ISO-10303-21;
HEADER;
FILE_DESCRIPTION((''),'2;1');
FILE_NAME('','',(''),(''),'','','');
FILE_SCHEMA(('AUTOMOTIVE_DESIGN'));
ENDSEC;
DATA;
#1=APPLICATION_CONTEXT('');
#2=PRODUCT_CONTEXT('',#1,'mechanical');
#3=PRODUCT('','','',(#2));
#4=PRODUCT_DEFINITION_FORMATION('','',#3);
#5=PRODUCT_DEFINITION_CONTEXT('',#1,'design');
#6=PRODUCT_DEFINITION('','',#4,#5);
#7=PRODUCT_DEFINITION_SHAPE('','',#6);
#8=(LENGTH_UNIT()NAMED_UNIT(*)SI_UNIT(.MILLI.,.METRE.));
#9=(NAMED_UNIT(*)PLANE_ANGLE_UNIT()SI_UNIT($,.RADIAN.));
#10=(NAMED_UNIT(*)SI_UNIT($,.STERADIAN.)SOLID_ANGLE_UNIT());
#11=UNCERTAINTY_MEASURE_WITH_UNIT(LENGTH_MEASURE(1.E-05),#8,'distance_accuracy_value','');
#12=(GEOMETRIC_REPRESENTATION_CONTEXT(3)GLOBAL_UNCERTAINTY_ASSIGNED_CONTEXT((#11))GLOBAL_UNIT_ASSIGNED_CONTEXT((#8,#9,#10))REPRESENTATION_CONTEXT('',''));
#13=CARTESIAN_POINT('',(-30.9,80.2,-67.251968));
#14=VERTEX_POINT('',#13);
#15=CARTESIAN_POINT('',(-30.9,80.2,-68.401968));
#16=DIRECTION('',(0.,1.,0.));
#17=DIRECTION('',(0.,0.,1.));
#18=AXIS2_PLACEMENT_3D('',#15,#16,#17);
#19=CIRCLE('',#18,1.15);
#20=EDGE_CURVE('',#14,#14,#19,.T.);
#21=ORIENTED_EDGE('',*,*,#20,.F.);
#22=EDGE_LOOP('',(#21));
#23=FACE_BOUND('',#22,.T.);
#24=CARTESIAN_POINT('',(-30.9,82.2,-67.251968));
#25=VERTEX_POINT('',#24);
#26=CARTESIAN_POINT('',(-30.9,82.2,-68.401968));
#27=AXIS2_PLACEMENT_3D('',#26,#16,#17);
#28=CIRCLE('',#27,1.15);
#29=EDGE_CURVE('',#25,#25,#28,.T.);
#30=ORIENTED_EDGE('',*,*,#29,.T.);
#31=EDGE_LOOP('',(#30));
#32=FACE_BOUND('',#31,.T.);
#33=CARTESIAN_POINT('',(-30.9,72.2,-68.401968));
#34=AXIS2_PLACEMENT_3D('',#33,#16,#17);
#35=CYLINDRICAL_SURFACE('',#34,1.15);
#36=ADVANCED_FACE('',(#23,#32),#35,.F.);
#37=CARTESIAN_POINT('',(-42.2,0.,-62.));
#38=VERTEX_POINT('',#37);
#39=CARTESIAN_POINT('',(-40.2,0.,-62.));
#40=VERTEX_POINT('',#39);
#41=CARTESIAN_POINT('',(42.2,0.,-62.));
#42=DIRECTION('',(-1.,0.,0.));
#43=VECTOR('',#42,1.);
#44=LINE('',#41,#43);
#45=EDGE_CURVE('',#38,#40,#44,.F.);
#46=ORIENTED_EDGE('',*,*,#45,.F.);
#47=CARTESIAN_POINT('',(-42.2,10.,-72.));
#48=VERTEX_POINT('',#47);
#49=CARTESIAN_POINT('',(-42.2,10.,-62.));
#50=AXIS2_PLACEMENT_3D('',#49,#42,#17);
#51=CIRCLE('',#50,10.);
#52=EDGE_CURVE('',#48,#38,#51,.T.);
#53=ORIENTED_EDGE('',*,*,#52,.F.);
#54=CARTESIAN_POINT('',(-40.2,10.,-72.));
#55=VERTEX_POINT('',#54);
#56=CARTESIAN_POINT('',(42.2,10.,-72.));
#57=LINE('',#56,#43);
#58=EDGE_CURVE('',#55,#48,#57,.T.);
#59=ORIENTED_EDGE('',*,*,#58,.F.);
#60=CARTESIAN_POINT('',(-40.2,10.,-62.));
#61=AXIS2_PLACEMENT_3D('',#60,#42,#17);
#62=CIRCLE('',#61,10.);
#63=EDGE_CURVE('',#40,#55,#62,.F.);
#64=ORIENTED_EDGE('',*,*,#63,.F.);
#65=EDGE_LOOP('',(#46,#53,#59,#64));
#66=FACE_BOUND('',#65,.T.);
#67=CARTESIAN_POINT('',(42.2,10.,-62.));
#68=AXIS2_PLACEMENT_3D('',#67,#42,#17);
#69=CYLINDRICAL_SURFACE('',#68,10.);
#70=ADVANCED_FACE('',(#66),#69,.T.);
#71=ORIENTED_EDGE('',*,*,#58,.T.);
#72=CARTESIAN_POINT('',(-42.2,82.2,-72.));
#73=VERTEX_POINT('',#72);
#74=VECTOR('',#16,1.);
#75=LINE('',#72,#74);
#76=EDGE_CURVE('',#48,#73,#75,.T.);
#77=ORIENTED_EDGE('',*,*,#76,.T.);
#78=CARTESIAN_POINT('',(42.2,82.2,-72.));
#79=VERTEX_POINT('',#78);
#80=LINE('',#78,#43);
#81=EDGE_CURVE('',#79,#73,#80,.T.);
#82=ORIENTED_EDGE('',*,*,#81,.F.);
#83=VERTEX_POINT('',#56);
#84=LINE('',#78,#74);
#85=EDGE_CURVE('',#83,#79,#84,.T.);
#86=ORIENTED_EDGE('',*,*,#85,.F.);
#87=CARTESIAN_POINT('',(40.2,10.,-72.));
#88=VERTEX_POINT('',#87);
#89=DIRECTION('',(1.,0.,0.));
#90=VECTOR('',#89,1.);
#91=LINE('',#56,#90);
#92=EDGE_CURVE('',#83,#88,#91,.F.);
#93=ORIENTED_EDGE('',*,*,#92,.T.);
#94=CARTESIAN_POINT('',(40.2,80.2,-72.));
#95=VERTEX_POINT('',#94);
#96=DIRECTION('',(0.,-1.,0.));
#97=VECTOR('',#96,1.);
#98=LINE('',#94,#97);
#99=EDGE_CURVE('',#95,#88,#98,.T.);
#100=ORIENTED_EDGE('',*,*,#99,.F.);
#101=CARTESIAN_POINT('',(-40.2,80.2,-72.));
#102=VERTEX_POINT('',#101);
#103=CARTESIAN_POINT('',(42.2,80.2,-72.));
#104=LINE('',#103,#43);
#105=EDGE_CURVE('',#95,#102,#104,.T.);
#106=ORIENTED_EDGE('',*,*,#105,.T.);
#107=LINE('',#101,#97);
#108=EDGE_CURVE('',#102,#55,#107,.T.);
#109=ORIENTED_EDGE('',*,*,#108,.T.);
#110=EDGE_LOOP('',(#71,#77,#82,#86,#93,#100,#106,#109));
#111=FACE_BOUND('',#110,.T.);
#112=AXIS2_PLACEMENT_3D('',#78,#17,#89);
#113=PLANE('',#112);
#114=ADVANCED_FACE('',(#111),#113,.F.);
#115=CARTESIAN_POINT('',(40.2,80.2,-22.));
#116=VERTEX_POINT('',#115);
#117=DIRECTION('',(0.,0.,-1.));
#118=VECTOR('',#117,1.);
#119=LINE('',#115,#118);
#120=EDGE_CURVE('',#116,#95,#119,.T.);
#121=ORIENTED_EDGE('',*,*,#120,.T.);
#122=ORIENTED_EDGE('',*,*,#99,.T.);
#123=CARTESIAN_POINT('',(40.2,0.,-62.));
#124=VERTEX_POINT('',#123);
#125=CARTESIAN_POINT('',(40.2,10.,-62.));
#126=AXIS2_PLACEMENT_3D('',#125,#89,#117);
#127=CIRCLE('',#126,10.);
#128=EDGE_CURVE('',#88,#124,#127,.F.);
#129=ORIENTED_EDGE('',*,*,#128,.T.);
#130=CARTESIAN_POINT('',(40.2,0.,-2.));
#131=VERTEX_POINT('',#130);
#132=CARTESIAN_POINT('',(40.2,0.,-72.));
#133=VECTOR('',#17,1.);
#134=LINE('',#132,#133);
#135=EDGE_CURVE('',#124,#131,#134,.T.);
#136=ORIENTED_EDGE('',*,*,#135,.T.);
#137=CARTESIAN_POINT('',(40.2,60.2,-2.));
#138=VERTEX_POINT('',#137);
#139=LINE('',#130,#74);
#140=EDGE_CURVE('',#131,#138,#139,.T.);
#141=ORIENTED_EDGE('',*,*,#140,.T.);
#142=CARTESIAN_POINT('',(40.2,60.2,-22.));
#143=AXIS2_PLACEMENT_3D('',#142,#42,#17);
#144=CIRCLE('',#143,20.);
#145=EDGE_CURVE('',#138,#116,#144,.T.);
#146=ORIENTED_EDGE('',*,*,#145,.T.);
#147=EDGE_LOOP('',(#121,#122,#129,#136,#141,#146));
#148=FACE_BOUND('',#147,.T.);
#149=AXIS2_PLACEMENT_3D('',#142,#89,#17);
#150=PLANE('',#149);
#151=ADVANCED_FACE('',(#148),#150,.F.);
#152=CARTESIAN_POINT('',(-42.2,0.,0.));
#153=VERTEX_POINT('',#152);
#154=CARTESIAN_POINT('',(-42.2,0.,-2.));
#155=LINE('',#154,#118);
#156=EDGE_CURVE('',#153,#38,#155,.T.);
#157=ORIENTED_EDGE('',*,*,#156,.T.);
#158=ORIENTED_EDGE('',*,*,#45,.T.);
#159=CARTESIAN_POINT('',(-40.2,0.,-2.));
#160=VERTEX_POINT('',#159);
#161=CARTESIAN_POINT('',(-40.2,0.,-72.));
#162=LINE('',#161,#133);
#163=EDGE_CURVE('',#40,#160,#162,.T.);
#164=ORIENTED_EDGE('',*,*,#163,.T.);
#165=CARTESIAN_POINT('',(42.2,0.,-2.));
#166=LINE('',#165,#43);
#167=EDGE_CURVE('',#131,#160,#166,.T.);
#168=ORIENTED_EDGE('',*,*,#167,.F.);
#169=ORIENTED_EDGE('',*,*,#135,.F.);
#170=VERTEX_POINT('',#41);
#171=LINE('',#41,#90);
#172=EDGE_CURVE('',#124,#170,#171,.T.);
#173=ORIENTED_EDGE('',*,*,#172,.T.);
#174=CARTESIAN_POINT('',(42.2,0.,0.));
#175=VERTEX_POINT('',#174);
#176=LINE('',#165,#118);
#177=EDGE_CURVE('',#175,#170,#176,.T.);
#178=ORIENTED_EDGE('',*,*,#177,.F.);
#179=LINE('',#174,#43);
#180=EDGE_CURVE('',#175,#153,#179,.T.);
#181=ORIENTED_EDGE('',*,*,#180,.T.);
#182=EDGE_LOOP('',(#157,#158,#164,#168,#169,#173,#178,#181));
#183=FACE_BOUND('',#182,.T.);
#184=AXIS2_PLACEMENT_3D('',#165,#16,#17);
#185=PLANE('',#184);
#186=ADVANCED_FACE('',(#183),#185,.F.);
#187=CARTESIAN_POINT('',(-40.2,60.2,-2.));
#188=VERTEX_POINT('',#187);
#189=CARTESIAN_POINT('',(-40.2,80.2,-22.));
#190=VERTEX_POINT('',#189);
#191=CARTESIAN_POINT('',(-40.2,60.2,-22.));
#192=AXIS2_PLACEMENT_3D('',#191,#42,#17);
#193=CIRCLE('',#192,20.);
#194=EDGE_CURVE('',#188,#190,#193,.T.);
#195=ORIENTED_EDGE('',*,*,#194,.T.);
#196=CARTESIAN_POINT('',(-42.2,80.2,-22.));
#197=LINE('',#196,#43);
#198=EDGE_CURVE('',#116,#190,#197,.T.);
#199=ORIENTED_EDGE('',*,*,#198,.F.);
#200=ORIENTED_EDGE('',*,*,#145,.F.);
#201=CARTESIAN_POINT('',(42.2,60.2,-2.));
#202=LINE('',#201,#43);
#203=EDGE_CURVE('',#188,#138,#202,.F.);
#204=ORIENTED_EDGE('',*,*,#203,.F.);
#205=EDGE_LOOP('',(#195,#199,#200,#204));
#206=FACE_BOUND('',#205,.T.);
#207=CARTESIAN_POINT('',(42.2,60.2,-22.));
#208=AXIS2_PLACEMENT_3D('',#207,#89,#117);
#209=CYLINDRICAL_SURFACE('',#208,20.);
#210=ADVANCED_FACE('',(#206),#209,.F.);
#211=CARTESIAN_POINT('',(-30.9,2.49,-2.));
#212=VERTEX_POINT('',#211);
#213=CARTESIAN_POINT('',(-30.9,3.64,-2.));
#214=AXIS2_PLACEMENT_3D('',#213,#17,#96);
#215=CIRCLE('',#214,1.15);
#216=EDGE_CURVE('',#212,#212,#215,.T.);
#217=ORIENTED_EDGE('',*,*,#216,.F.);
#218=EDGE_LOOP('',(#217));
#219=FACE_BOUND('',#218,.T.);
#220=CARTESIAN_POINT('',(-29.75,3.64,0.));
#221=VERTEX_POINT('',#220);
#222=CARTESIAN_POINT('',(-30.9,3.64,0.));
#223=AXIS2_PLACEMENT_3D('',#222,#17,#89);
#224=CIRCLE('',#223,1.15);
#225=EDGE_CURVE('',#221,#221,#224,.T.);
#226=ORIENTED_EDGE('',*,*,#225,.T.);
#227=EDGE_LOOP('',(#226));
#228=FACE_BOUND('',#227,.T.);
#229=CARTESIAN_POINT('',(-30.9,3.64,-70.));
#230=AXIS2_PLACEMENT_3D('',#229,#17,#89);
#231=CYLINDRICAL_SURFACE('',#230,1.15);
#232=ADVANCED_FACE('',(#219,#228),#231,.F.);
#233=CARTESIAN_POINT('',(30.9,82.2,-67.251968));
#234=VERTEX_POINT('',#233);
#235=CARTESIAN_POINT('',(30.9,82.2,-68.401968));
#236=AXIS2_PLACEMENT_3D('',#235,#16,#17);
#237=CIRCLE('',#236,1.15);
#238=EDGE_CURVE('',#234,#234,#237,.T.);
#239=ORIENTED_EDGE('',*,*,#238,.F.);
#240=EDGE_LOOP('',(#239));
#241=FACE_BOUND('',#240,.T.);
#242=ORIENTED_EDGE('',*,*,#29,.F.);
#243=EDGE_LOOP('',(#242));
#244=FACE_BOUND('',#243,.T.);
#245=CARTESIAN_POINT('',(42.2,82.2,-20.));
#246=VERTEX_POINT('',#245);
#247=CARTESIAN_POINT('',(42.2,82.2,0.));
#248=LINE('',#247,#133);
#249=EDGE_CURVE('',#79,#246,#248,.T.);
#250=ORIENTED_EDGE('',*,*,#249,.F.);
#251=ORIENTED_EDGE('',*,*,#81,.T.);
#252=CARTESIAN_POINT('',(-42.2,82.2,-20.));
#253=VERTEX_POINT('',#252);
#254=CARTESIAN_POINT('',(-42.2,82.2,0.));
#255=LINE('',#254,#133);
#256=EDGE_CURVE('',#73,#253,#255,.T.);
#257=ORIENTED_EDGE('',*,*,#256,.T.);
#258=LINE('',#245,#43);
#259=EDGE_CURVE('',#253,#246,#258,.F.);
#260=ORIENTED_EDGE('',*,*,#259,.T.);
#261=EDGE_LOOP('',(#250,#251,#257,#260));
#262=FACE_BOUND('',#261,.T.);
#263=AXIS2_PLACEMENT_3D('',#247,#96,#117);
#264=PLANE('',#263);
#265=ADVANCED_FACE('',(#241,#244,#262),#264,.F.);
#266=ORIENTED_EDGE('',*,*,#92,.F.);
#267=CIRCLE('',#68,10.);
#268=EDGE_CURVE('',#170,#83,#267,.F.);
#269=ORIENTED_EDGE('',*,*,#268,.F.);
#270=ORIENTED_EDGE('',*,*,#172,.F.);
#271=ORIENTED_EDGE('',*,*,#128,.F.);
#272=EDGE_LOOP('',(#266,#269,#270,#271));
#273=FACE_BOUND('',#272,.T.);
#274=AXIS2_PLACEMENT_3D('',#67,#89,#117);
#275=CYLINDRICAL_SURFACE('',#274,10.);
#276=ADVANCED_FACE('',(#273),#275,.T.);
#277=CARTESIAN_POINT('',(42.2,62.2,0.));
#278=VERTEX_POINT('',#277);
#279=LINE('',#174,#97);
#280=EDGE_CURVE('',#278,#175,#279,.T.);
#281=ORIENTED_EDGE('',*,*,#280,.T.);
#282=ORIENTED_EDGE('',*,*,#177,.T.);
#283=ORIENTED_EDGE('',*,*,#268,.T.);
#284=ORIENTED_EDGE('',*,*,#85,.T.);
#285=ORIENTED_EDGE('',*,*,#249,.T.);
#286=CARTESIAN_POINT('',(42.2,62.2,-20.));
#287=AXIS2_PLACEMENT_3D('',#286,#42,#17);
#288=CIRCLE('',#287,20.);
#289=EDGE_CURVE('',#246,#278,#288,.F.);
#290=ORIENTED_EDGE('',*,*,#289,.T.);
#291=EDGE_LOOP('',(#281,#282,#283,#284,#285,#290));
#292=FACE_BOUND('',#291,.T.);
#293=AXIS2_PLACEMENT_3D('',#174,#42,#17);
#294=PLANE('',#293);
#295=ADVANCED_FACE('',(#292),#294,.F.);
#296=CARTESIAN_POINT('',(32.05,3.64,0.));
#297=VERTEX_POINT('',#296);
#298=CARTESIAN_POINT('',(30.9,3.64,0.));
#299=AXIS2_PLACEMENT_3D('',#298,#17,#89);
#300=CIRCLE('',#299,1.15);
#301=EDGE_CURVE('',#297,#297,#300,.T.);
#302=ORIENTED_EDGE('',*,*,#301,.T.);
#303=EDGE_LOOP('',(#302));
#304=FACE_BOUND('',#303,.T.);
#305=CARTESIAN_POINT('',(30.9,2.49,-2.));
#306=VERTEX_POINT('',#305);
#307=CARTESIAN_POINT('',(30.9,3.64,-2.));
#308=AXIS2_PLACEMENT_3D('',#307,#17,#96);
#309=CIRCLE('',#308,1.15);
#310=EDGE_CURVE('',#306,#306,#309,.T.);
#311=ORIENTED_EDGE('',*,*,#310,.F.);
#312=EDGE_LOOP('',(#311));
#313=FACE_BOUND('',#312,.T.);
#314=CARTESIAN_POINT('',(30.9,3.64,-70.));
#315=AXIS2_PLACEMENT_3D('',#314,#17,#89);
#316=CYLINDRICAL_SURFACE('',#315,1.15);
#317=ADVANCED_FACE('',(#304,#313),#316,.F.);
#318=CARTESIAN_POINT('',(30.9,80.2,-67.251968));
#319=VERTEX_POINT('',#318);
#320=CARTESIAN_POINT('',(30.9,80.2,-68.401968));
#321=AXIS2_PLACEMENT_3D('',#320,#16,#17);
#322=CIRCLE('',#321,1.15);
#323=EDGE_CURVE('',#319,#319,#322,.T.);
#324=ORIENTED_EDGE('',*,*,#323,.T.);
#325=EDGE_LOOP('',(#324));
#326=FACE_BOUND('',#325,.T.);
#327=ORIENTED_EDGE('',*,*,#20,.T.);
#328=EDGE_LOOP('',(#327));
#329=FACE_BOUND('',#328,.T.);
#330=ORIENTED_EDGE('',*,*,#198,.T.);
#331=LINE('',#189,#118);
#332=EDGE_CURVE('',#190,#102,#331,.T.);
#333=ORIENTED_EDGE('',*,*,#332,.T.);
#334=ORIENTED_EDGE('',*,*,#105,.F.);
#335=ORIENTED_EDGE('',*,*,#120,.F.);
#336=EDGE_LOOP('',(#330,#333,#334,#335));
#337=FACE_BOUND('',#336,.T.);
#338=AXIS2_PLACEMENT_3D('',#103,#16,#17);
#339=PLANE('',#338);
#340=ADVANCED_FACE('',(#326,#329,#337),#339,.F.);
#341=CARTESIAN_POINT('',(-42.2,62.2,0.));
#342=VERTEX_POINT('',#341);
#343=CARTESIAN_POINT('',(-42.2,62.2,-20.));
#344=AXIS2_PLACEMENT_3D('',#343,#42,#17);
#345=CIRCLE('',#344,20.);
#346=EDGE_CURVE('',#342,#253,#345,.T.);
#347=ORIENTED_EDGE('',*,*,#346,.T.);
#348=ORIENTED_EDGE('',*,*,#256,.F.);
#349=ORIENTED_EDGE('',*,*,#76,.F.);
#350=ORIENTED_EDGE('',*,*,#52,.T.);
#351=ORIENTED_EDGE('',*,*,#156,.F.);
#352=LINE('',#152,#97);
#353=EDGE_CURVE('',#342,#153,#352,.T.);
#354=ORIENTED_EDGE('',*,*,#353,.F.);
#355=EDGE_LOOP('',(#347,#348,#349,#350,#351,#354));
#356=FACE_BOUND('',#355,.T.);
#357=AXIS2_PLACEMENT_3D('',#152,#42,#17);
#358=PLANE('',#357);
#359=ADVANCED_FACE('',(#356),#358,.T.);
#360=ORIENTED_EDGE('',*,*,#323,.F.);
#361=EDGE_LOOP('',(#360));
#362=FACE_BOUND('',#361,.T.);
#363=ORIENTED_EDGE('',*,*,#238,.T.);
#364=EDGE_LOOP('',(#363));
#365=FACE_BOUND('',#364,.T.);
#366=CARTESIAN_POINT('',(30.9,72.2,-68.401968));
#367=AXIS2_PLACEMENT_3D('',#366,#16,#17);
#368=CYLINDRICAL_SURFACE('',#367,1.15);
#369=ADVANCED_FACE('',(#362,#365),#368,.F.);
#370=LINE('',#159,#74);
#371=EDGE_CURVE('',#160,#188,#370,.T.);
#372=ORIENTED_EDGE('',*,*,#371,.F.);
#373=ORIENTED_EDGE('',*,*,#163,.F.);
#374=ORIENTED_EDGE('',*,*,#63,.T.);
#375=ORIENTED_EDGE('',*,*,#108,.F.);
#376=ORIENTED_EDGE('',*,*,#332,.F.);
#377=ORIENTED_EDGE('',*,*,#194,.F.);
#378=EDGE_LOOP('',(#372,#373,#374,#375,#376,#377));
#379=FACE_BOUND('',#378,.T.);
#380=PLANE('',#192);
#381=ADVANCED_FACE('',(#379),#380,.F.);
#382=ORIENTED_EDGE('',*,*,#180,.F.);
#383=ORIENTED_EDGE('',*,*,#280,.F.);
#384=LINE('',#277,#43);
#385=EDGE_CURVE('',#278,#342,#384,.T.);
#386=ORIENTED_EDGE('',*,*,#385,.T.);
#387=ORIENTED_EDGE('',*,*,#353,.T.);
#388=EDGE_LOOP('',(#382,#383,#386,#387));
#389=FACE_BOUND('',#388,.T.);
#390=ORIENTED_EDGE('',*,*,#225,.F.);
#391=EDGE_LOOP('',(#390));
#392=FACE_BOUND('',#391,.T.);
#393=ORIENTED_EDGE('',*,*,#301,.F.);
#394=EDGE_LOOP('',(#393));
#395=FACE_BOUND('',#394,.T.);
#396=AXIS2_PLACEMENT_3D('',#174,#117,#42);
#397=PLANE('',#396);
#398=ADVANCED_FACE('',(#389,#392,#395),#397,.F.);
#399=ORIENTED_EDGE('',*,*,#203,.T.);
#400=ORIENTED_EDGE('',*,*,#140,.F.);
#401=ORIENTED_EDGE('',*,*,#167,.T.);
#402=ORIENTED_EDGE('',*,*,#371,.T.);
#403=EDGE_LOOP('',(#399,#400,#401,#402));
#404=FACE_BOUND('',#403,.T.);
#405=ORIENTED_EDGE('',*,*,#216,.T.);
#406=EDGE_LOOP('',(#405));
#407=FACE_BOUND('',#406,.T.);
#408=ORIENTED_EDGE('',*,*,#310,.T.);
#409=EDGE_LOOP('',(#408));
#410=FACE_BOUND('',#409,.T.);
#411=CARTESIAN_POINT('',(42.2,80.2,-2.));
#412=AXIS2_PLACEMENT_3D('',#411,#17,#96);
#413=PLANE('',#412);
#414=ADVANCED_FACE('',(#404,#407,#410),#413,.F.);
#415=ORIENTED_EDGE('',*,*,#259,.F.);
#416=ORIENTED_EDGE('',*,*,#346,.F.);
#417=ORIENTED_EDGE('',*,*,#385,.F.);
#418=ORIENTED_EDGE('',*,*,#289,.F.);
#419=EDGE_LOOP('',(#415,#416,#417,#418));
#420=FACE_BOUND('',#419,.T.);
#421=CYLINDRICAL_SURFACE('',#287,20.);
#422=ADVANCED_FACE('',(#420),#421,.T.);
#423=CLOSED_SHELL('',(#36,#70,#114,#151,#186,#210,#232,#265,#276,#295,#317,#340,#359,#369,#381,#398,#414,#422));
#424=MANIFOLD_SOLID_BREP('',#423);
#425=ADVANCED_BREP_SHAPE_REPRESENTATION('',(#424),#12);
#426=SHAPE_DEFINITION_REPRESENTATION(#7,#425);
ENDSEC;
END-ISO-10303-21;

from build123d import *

# Parameters (mm, degrees)
BOSS_EXTRUDE1_DEPTH = 42.2
SKETCH2_R           = 1.15
CUT_EXTRUDE1_DEPTH  = 70
FILLET1_R           = 20
BOSS_EXTRUDE2_DEPTH = 2
FILLET2_R           = 10
SKETCH4_R           = 1.15
CUT_EXTRUDE2_DEPTH  = 10


with BuildPart() as part:
    # Sketch1 → Boss-Extrude1 (new body, symmetric)
    with BuildSketch(Plane(origin=(0, 0, 0), x_dir=(0, 0, -1), z_dir=(1, 0, 0))):
        Polygon((0, 0), (0, 82.2), (72, 82.2), (72, 80.2), (2, 80.2), (2, 0), align=None)
    extrude(amount=BOSS_EXTRUDE1_DEPTH, both=True)

    # Sketch2 → Cut-Extrude1 (cut)
    with BuildSketch(Plane.XY):
        with Locations((-30.9, 3.64)):
            Circle(SKETCH2_R)
        with Locations((30.9, 3.64)):
            Circle(SKETCH2_R)
    extrude(amount=-CUT_EXTRUDE1_DEPTH, mode=Mode.SUBTRACT)

    # Fillet1
    fillet1_edges = [part.edges().sort_by_distance(p)[0] for p in [
        (0, 82.2, 0),
        (0, 80.2, -2),
    ]]
    fillet(fillet1_edges, radius=FILLET1_R)

    # Sketch3 → Boss-Extrude2 (add)
    with BuildSketch(Plane.ZY.offset(42.2)):
        with BuildLine():
            Line((-72, 80.2), (-72, 0))
            Line((-72, 0), (-2, 0))
            Line((-2, 0), (-2, 60.2))
            ThreePointArc((-2, 60.2), (-7.857864376, 74.342135624), (-22, 80.2))
            Line((-22, 80.2), (-72, 80.2))
        make_face()
    boss_extrude2 = extrude(amount=-BOSS_EXTRUDE2_DEPTH)

    # Mirror1: Boss-Extrude2 across plane
    add(boss_extrude2.mirror(Plane(origin=(0, 0, 0), x_dir=(0, 0, 1), z_dir=(1, 0, 0))))

    # Fillet2
    fillet2_edges = [part.edges().sort_by_distance(p)[0] for p in [
        (-41.2, 0, -72),
        (41.2, 0, -72),
    ]]
    fillet(fillet2_edges, radius=FILLET2_R)

    # Sketch4 → Cut-Extrude2 (cut)
    with BuildSketch(Plane(origin=(0, 82.2, 0), x_dir=(1, 0, 0), z_dir=(0, 1, 0))):
        with Locations((-30.9, 68.401968)):
            Circle(SKETCH4_R)
        with Locations((30.9, 68.401968)):
            Circle(SKETCH4_R)
    extrude(amount=-CUT_EXTRUDE2_DEPTH, mode=Mode.SUBTRACT)


solid = part.part
